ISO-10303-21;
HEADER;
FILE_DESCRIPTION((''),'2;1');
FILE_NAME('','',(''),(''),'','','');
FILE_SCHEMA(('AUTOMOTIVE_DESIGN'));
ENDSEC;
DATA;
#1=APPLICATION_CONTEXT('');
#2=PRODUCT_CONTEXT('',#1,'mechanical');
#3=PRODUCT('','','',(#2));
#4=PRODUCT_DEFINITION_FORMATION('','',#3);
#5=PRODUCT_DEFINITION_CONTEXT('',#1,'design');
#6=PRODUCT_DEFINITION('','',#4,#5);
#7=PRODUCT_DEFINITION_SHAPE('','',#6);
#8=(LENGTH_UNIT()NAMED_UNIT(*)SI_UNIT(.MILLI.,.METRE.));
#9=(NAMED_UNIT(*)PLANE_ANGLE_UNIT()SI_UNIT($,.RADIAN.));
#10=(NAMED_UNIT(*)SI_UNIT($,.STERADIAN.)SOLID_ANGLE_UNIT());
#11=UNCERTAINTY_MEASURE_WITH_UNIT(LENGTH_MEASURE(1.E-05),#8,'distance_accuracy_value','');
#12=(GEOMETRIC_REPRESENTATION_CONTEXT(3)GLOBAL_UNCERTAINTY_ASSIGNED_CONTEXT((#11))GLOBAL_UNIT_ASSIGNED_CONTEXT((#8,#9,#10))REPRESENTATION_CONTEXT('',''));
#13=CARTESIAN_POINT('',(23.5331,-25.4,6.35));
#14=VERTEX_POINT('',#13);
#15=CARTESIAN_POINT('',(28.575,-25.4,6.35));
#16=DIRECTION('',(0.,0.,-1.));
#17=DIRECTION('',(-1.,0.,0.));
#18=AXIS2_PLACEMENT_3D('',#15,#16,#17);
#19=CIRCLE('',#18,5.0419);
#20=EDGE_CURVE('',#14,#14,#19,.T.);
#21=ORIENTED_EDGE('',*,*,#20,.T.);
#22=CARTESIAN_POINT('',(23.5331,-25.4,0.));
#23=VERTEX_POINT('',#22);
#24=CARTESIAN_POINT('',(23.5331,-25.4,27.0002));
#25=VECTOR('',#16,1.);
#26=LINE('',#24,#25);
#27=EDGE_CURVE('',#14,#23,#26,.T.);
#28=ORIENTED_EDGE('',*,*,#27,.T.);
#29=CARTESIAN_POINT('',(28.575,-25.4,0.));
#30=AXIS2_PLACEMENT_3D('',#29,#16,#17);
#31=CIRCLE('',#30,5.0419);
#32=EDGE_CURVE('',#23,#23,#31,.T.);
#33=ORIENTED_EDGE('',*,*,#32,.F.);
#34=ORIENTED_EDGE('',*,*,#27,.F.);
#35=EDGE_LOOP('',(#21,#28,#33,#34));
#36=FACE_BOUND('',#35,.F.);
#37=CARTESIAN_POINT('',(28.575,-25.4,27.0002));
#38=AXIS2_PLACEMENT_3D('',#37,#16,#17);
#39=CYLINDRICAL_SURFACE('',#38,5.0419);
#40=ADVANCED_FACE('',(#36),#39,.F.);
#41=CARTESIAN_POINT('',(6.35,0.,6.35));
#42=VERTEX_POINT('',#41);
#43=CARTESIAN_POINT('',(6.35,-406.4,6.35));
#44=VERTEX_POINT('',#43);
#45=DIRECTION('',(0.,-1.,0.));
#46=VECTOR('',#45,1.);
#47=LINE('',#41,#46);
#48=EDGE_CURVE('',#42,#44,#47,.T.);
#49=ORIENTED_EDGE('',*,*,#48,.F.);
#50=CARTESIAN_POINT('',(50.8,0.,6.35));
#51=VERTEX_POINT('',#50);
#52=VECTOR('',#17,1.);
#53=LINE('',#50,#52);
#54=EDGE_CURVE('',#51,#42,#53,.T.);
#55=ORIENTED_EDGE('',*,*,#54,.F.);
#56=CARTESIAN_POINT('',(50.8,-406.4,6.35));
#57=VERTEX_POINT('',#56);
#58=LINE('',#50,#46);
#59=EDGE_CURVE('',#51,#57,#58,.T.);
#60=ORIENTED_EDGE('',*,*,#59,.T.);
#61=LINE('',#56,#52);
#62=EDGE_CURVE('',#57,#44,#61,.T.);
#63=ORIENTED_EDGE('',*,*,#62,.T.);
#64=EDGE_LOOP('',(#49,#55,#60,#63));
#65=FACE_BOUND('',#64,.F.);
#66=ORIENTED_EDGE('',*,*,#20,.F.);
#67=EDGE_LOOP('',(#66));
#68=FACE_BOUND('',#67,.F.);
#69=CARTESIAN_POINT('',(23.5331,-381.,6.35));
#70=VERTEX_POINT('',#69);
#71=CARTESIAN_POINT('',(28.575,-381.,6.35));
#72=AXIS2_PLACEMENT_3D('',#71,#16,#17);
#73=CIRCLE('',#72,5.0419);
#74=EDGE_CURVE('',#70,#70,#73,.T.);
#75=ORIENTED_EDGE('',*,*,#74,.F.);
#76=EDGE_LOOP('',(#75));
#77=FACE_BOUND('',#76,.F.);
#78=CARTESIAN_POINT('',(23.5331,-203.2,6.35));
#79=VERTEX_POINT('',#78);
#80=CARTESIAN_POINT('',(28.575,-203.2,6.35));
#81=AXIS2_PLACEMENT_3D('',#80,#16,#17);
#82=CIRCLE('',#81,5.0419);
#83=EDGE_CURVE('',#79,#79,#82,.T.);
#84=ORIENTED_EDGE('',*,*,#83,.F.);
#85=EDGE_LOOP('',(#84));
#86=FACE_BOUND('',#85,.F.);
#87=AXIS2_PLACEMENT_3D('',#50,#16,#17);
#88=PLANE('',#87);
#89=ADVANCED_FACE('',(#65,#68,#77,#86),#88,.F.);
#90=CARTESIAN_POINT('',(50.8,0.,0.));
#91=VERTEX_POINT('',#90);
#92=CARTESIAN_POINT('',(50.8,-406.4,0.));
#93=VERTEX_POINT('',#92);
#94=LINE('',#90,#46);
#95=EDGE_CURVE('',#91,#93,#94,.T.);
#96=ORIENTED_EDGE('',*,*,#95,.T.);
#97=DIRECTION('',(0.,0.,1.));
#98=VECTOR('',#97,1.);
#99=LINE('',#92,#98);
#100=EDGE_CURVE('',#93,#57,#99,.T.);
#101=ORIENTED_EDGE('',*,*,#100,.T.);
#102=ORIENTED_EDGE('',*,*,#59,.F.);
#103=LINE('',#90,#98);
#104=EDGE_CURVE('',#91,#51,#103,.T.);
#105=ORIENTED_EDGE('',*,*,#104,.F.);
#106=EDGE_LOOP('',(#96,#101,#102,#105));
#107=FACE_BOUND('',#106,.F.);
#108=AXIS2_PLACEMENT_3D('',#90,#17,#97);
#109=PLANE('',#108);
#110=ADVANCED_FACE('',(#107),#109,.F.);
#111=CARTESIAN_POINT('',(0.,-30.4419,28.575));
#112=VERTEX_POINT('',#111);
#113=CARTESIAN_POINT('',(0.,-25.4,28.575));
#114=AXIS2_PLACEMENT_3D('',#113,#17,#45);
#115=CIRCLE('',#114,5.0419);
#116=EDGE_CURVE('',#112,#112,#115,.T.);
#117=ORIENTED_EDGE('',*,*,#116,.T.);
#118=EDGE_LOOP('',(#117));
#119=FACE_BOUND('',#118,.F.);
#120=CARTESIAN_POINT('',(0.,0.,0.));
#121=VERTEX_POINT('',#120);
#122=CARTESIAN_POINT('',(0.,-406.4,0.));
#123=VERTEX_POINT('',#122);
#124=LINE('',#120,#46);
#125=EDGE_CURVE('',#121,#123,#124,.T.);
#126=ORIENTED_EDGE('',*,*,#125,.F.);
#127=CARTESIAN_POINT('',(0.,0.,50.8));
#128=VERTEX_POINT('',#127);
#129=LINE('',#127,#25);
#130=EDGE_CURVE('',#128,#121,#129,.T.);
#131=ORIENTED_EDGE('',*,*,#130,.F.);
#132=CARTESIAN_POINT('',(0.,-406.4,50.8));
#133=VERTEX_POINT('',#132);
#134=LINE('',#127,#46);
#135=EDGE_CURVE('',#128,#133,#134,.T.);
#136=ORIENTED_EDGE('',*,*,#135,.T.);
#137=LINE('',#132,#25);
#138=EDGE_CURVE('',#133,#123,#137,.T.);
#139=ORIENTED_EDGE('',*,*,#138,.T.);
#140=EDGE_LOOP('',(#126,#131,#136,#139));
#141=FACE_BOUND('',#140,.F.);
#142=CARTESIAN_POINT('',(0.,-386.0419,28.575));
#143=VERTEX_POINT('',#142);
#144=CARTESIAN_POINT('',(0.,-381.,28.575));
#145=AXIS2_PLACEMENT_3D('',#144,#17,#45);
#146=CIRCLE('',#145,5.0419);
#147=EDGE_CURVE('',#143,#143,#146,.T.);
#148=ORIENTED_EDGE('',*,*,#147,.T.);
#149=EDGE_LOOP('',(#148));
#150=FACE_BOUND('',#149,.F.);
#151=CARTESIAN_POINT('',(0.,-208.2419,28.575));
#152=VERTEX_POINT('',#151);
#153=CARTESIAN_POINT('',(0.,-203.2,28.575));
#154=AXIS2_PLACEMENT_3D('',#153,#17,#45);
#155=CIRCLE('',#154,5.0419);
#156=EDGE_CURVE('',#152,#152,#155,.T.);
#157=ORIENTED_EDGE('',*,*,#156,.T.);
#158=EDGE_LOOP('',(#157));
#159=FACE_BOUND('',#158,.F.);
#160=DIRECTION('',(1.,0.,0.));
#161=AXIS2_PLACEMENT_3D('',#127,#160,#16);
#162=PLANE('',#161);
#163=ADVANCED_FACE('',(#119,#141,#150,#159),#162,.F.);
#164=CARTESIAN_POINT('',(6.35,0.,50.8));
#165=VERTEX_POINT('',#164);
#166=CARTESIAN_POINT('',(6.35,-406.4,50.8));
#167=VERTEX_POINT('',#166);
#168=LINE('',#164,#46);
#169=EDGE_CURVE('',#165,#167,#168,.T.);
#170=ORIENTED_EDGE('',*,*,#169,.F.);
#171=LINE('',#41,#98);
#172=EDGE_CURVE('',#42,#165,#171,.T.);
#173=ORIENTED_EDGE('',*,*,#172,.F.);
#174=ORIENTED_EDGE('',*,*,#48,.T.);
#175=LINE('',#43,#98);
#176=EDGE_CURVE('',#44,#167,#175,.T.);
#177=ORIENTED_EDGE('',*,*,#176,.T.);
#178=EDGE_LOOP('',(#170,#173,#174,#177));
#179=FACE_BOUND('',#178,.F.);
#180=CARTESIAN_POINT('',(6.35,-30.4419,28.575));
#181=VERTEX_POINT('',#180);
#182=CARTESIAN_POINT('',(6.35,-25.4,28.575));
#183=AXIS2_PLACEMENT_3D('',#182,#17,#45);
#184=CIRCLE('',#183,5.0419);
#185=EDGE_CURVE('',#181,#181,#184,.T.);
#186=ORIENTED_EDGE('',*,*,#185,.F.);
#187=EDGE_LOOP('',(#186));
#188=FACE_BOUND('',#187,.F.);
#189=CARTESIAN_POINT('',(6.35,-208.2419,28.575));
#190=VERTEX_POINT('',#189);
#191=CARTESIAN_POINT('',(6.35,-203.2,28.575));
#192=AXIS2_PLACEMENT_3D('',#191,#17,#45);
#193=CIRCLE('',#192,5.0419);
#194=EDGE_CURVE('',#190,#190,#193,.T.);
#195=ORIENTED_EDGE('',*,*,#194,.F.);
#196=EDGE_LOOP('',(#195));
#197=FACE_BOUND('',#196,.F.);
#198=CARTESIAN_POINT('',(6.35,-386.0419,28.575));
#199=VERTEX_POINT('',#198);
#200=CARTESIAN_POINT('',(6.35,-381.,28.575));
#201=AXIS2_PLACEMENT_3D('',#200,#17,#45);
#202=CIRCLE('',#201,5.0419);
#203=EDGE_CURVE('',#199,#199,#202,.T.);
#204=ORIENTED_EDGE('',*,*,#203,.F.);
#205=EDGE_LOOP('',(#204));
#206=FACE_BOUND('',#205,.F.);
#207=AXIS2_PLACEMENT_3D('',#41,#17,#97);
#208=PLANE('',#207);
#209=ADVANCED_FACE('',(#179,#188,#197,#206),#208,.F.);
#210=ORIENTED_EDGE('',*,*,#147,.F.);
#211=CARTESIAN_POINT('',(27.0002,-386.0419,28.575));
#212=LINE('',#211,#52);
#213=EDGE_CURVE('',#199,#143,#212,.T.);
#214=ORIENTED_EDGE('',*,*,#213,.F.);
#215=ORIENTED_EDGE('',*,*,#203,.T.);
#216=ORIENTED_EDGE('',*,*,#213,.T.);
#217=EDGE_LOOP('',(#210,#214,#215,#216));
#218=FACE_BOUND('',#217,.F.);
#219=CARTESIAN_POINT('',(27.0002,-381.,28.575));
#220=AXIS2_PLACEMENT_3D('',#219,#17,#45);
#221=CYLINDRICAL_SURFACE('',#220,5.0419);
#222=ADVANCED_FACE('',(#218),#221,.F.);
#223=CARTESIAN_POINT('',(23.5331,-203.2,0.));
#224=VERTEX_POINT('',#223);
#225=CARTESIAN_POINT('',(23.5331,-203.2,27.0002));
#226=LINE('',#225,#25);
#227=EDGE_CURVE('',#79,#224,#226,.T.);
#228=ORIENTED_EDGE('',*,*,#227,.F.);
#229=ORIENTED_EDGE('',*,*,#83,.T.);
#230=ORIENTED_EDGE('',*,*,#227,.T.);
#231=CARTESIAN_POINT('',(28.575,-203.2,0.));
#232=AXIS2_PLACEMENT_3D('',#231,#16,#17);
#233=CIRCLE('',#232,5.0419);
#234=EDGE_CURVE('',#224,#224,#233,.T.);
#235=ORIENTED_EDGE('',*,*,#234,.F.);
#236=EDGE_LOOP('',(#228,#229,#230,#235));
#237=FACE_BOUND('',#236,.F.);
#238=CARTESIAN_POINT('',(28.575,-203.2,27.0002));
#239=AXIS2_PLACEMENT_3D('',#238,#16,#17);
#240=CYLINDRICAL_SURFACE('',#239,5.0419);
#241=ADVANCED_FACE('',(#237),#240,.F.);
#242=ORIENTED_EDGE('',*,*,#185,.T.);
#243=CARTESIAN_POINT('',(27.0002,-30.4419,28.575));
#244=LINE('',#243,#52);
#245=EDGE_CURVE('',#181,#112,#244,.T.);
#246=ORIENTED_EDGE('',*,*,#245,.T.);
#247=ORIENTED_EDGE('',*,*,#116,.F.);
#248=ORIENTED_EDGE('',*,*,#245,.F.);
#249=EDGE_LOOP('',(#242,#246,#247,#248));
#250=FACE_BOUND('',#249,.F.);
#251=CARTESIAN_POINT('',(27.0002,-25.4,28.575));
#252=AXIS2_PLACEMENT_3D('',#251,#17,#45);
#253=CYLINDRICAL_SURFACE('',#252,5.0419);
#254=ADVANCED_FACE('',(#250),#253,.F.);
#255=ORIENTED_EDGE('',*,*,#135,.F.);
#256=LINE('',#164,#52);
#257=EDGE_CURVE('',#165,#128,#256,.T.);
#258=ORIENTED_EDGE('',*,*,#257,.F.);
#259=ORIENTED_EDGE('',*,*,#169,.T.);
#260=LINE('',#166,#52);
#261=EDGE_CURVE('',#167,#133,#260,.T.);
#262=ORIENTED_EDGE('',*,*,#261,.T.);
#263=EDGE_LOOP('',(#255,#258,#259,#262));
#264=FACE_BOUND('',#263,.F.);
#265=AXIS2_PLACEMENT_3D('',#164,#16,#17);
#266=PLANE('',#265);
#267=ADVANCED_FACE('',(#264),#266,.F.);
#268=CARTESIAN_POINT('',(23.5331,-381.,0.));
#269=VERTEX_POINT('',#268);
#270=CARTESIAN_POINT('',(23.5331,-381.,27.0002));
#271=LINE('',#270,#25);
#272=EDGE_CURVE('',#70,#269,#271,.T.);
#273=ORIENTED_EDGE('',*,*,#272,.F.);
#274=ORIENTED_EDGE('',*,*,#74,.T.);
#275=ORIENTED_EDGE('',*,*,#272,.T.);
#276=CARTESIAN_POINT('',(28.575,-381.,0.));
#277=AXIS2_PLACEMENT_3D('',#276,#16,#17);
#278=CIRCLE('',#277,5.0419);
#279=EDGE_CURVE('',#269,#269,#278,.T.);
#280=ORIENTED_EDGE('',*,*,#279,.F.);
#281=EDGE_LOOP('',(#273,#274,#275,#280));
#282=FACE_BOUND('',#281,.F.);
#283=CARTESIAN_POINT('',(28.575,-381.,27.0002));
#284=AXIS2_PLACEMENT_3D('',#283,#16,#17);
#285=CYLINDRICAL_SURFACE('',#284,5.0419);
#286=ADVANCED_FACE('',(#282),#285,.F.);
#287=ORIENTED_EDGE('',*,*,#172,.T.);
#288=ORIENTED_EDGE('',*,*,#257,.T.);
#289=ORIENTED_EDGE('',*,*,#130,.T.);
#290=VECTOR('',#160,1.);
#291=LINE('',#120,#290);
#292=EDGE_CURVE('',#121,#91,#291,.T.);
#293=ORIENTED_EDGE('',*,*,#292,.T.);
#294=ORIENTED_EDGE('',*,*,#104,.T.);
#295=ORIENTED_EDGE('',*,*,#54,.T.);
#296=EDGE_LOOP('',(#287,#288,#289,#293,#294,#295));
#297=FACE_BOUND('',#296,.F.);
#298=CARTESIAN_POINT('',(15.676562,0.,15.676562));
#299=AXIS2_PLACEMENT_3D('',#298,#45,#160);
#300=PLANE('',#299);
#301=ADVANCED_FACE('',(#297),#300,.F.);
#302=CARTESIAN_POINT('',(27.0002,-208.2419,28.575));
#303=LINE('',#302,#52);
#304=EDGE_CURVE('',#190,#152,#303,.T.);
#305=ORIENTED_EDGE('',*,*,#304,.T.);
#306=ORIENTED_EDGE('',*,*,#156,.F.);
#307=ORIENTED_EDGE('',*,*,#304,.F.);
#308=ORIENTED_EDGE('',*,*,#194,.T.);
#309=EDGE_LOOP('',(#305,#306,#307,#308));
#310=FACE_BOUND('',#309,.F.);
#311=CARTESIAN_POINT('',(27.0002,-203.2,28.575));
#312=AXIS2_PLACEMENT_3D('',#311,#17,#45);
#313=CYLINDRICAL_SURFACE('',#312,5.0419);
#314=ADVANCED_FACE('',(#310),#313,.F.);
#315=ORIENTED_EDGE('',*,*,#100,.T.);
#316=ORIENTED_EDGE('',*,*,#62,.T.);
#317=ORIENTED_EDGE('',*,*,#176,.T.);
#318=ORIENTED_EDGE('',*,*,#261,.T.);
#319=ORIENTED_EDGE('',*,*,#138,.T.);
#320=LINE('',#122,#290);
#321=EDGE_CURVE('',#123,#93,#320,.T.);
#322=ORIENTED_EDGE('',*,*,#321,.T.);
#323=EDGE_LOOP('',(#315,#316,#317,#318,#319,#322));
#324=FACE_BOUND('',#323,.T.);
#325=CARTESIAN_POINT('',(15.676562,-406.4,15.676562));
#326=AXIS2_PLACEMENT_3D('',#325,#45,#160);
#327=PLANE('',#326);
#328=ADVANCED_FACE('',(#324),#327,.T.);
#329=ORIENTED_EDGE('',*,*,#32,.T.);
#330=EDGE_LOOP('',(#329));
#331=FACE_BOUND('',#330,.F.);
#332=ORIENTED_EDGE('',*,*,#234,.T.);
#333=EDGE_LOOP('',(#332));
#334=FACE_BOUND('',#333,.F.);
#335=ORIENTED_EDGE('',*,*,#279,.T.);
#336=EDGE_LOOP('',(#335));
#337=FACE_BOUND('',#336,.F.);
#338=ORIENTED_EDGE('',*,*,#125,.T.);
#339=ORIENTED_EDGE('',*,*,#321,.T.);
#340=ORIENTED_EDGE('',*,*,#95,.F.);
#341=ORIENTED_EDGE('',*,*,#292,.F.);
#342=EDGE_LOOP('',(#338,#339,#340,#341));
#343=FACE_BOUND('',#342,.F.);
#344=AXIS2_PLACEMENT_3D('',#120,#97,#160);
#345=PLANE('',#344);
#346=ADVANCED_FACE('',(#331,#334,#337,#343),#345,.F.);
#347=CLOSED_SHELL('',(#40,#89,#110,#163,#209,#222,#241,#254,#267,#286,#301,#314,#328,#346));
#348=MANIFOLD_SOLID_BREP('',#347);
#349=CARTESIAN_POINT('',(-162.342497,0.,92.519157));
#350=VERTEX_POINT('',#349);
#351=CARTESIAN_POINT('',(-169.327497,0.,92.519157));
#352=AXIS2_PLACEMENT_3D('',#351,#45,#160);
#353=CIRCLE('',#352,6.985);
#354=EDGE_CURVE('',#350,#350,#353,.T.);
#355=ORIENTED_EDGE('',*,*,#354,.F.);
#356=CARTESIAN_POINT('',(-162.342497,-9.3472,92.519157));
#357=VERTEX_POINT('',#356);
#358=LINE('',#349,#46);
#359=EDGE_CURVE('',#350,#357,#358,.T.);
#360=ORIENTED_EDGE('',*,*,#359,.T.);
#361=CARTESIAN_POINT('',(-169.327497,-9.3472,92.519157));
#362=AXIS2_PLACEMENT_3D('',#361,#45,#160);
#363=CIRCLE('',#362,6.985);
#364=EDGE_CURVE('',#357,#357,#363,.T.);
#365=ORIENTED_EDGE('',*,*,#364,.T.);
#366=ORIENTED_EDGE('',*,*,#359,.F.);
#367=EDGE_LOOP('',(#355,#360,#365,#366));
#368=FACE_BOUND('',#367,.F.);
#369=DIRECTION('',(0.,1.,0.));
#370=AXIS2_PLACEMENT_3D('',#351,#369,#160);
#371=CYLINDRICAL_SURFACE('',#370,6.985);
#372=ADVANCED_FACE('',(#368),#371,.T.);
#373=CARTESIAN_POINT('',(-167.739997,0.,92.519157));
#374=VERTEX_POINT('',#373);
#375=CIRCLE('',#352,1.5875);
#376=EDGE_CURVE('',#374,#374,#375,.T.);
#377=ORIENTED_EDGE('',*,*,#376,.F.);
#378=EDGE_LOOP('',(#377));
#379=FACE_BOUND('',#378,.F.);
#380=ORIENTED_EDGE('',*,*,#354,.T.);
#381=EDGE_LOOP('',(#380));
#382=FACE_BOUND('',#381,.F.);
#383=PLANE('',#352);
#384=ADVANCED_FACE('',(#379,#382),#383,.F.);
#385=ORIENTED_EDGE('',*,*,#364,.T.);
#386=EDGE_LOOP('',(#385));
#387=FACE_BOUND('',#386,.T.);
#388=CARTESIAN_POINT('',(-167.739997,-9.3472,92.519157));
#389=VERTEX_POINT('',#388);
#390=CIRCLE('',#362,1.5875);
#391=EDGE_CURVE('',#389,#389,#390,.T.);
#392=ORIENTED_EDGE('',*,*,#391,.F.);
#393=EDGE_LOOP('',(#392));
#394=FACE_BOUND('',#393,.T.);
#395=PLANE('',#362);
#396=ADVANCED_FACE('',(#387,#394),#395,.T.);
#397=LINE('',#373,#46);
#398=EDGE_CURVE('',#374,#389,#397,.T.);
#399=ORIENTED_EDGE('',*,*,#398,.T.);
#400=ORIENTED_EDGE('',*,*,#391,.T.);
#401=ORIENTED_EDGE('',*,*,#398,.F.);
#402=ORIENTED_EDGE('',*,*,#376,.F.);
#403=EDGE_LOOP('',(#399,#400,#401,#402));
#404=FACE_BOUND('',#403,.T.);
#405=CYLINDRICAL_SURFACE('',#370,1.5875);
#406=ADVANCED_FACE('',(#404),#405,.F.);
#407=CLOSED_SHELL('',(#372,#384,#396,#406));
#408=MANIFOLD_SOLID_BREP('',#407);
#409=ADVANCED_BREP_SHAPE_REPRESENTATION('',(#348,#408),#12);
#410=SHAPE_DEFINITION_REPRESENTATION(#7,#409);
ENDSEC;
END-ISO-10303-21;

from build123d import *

# Parameters (mm, degrees)
F1_DEPTH       = 406.4
F4_D           = 10.0838
F4_DEPTH       = 20.6502
F4_TIP         = 3.0294791551
F4_ON_F2_D     = 10.0838
F4_ON_F2_DEPTH = 20.6502
F4_ON_F2_TIP   = 3.0294791551
F5_R           = 6.985
F5_R_2         = 1.5875
F6_DEPTH       = 9.3472


with BuildPart() as f1:
    # F0 (on Front) → F1 (new body)
    with BuildSketch(Plane.XZ):
        Polygon((0, 50.8), (0, 0), (50.8, 0), (50.8, 6.35), (6.35, 6.35), (6.35, 50.8), align=None)
    extrude(amount=F1_DEPTH)

    # F4
    with Locations(Plane.XY.offset(6.35)):
        with Locations((28.575, -381), (28.575, -203.2), (28.575, -25.4)):
            Hole(F4_D / 2, depth=F4_DEPTH)
            with Locations((0, 0, -(F4_DEPTH + F4_TIP / 2))):  # 118° drill point
                Cone(0, F4_D / 2, F4_TIP, mode=Mode.SUBTRACT)

    # F4 on F2
    with Locations(Plane.YZ.offset(6.35)):
        with Locations((-203.2, 28.575), (-25.4, 28.575), (-381, 28.575)):
            Hole(F4_ON_F2_D / 2, depth=F4_ON_F2_DEPTH)
            with Locations((0, 0, -(F4_ON_F2_DEPTH + F4_ON_F2_TIP / 2))):  # 118° drill point
                Cone(0, F4_ON_F2_D / 2, F4_ON_F2_TIP, mode=Mode.SUBTRACT)


with BuildPart() as f6:
    # F5 (on Front) → F6 (new body)
    with BuildSketch(Plane.XZ):
        with Locations((-169.3274974823, 92.5191566348)):
            Circle(F5_R)
        with Locations((-169.3274974823, 92.5191566348)):
            Circle(F5_R_2, mode=Mode.SUBTRACT)
    extrude(amount=F6_DEPTH)


solid = Compound([f1.part, f6.part])
